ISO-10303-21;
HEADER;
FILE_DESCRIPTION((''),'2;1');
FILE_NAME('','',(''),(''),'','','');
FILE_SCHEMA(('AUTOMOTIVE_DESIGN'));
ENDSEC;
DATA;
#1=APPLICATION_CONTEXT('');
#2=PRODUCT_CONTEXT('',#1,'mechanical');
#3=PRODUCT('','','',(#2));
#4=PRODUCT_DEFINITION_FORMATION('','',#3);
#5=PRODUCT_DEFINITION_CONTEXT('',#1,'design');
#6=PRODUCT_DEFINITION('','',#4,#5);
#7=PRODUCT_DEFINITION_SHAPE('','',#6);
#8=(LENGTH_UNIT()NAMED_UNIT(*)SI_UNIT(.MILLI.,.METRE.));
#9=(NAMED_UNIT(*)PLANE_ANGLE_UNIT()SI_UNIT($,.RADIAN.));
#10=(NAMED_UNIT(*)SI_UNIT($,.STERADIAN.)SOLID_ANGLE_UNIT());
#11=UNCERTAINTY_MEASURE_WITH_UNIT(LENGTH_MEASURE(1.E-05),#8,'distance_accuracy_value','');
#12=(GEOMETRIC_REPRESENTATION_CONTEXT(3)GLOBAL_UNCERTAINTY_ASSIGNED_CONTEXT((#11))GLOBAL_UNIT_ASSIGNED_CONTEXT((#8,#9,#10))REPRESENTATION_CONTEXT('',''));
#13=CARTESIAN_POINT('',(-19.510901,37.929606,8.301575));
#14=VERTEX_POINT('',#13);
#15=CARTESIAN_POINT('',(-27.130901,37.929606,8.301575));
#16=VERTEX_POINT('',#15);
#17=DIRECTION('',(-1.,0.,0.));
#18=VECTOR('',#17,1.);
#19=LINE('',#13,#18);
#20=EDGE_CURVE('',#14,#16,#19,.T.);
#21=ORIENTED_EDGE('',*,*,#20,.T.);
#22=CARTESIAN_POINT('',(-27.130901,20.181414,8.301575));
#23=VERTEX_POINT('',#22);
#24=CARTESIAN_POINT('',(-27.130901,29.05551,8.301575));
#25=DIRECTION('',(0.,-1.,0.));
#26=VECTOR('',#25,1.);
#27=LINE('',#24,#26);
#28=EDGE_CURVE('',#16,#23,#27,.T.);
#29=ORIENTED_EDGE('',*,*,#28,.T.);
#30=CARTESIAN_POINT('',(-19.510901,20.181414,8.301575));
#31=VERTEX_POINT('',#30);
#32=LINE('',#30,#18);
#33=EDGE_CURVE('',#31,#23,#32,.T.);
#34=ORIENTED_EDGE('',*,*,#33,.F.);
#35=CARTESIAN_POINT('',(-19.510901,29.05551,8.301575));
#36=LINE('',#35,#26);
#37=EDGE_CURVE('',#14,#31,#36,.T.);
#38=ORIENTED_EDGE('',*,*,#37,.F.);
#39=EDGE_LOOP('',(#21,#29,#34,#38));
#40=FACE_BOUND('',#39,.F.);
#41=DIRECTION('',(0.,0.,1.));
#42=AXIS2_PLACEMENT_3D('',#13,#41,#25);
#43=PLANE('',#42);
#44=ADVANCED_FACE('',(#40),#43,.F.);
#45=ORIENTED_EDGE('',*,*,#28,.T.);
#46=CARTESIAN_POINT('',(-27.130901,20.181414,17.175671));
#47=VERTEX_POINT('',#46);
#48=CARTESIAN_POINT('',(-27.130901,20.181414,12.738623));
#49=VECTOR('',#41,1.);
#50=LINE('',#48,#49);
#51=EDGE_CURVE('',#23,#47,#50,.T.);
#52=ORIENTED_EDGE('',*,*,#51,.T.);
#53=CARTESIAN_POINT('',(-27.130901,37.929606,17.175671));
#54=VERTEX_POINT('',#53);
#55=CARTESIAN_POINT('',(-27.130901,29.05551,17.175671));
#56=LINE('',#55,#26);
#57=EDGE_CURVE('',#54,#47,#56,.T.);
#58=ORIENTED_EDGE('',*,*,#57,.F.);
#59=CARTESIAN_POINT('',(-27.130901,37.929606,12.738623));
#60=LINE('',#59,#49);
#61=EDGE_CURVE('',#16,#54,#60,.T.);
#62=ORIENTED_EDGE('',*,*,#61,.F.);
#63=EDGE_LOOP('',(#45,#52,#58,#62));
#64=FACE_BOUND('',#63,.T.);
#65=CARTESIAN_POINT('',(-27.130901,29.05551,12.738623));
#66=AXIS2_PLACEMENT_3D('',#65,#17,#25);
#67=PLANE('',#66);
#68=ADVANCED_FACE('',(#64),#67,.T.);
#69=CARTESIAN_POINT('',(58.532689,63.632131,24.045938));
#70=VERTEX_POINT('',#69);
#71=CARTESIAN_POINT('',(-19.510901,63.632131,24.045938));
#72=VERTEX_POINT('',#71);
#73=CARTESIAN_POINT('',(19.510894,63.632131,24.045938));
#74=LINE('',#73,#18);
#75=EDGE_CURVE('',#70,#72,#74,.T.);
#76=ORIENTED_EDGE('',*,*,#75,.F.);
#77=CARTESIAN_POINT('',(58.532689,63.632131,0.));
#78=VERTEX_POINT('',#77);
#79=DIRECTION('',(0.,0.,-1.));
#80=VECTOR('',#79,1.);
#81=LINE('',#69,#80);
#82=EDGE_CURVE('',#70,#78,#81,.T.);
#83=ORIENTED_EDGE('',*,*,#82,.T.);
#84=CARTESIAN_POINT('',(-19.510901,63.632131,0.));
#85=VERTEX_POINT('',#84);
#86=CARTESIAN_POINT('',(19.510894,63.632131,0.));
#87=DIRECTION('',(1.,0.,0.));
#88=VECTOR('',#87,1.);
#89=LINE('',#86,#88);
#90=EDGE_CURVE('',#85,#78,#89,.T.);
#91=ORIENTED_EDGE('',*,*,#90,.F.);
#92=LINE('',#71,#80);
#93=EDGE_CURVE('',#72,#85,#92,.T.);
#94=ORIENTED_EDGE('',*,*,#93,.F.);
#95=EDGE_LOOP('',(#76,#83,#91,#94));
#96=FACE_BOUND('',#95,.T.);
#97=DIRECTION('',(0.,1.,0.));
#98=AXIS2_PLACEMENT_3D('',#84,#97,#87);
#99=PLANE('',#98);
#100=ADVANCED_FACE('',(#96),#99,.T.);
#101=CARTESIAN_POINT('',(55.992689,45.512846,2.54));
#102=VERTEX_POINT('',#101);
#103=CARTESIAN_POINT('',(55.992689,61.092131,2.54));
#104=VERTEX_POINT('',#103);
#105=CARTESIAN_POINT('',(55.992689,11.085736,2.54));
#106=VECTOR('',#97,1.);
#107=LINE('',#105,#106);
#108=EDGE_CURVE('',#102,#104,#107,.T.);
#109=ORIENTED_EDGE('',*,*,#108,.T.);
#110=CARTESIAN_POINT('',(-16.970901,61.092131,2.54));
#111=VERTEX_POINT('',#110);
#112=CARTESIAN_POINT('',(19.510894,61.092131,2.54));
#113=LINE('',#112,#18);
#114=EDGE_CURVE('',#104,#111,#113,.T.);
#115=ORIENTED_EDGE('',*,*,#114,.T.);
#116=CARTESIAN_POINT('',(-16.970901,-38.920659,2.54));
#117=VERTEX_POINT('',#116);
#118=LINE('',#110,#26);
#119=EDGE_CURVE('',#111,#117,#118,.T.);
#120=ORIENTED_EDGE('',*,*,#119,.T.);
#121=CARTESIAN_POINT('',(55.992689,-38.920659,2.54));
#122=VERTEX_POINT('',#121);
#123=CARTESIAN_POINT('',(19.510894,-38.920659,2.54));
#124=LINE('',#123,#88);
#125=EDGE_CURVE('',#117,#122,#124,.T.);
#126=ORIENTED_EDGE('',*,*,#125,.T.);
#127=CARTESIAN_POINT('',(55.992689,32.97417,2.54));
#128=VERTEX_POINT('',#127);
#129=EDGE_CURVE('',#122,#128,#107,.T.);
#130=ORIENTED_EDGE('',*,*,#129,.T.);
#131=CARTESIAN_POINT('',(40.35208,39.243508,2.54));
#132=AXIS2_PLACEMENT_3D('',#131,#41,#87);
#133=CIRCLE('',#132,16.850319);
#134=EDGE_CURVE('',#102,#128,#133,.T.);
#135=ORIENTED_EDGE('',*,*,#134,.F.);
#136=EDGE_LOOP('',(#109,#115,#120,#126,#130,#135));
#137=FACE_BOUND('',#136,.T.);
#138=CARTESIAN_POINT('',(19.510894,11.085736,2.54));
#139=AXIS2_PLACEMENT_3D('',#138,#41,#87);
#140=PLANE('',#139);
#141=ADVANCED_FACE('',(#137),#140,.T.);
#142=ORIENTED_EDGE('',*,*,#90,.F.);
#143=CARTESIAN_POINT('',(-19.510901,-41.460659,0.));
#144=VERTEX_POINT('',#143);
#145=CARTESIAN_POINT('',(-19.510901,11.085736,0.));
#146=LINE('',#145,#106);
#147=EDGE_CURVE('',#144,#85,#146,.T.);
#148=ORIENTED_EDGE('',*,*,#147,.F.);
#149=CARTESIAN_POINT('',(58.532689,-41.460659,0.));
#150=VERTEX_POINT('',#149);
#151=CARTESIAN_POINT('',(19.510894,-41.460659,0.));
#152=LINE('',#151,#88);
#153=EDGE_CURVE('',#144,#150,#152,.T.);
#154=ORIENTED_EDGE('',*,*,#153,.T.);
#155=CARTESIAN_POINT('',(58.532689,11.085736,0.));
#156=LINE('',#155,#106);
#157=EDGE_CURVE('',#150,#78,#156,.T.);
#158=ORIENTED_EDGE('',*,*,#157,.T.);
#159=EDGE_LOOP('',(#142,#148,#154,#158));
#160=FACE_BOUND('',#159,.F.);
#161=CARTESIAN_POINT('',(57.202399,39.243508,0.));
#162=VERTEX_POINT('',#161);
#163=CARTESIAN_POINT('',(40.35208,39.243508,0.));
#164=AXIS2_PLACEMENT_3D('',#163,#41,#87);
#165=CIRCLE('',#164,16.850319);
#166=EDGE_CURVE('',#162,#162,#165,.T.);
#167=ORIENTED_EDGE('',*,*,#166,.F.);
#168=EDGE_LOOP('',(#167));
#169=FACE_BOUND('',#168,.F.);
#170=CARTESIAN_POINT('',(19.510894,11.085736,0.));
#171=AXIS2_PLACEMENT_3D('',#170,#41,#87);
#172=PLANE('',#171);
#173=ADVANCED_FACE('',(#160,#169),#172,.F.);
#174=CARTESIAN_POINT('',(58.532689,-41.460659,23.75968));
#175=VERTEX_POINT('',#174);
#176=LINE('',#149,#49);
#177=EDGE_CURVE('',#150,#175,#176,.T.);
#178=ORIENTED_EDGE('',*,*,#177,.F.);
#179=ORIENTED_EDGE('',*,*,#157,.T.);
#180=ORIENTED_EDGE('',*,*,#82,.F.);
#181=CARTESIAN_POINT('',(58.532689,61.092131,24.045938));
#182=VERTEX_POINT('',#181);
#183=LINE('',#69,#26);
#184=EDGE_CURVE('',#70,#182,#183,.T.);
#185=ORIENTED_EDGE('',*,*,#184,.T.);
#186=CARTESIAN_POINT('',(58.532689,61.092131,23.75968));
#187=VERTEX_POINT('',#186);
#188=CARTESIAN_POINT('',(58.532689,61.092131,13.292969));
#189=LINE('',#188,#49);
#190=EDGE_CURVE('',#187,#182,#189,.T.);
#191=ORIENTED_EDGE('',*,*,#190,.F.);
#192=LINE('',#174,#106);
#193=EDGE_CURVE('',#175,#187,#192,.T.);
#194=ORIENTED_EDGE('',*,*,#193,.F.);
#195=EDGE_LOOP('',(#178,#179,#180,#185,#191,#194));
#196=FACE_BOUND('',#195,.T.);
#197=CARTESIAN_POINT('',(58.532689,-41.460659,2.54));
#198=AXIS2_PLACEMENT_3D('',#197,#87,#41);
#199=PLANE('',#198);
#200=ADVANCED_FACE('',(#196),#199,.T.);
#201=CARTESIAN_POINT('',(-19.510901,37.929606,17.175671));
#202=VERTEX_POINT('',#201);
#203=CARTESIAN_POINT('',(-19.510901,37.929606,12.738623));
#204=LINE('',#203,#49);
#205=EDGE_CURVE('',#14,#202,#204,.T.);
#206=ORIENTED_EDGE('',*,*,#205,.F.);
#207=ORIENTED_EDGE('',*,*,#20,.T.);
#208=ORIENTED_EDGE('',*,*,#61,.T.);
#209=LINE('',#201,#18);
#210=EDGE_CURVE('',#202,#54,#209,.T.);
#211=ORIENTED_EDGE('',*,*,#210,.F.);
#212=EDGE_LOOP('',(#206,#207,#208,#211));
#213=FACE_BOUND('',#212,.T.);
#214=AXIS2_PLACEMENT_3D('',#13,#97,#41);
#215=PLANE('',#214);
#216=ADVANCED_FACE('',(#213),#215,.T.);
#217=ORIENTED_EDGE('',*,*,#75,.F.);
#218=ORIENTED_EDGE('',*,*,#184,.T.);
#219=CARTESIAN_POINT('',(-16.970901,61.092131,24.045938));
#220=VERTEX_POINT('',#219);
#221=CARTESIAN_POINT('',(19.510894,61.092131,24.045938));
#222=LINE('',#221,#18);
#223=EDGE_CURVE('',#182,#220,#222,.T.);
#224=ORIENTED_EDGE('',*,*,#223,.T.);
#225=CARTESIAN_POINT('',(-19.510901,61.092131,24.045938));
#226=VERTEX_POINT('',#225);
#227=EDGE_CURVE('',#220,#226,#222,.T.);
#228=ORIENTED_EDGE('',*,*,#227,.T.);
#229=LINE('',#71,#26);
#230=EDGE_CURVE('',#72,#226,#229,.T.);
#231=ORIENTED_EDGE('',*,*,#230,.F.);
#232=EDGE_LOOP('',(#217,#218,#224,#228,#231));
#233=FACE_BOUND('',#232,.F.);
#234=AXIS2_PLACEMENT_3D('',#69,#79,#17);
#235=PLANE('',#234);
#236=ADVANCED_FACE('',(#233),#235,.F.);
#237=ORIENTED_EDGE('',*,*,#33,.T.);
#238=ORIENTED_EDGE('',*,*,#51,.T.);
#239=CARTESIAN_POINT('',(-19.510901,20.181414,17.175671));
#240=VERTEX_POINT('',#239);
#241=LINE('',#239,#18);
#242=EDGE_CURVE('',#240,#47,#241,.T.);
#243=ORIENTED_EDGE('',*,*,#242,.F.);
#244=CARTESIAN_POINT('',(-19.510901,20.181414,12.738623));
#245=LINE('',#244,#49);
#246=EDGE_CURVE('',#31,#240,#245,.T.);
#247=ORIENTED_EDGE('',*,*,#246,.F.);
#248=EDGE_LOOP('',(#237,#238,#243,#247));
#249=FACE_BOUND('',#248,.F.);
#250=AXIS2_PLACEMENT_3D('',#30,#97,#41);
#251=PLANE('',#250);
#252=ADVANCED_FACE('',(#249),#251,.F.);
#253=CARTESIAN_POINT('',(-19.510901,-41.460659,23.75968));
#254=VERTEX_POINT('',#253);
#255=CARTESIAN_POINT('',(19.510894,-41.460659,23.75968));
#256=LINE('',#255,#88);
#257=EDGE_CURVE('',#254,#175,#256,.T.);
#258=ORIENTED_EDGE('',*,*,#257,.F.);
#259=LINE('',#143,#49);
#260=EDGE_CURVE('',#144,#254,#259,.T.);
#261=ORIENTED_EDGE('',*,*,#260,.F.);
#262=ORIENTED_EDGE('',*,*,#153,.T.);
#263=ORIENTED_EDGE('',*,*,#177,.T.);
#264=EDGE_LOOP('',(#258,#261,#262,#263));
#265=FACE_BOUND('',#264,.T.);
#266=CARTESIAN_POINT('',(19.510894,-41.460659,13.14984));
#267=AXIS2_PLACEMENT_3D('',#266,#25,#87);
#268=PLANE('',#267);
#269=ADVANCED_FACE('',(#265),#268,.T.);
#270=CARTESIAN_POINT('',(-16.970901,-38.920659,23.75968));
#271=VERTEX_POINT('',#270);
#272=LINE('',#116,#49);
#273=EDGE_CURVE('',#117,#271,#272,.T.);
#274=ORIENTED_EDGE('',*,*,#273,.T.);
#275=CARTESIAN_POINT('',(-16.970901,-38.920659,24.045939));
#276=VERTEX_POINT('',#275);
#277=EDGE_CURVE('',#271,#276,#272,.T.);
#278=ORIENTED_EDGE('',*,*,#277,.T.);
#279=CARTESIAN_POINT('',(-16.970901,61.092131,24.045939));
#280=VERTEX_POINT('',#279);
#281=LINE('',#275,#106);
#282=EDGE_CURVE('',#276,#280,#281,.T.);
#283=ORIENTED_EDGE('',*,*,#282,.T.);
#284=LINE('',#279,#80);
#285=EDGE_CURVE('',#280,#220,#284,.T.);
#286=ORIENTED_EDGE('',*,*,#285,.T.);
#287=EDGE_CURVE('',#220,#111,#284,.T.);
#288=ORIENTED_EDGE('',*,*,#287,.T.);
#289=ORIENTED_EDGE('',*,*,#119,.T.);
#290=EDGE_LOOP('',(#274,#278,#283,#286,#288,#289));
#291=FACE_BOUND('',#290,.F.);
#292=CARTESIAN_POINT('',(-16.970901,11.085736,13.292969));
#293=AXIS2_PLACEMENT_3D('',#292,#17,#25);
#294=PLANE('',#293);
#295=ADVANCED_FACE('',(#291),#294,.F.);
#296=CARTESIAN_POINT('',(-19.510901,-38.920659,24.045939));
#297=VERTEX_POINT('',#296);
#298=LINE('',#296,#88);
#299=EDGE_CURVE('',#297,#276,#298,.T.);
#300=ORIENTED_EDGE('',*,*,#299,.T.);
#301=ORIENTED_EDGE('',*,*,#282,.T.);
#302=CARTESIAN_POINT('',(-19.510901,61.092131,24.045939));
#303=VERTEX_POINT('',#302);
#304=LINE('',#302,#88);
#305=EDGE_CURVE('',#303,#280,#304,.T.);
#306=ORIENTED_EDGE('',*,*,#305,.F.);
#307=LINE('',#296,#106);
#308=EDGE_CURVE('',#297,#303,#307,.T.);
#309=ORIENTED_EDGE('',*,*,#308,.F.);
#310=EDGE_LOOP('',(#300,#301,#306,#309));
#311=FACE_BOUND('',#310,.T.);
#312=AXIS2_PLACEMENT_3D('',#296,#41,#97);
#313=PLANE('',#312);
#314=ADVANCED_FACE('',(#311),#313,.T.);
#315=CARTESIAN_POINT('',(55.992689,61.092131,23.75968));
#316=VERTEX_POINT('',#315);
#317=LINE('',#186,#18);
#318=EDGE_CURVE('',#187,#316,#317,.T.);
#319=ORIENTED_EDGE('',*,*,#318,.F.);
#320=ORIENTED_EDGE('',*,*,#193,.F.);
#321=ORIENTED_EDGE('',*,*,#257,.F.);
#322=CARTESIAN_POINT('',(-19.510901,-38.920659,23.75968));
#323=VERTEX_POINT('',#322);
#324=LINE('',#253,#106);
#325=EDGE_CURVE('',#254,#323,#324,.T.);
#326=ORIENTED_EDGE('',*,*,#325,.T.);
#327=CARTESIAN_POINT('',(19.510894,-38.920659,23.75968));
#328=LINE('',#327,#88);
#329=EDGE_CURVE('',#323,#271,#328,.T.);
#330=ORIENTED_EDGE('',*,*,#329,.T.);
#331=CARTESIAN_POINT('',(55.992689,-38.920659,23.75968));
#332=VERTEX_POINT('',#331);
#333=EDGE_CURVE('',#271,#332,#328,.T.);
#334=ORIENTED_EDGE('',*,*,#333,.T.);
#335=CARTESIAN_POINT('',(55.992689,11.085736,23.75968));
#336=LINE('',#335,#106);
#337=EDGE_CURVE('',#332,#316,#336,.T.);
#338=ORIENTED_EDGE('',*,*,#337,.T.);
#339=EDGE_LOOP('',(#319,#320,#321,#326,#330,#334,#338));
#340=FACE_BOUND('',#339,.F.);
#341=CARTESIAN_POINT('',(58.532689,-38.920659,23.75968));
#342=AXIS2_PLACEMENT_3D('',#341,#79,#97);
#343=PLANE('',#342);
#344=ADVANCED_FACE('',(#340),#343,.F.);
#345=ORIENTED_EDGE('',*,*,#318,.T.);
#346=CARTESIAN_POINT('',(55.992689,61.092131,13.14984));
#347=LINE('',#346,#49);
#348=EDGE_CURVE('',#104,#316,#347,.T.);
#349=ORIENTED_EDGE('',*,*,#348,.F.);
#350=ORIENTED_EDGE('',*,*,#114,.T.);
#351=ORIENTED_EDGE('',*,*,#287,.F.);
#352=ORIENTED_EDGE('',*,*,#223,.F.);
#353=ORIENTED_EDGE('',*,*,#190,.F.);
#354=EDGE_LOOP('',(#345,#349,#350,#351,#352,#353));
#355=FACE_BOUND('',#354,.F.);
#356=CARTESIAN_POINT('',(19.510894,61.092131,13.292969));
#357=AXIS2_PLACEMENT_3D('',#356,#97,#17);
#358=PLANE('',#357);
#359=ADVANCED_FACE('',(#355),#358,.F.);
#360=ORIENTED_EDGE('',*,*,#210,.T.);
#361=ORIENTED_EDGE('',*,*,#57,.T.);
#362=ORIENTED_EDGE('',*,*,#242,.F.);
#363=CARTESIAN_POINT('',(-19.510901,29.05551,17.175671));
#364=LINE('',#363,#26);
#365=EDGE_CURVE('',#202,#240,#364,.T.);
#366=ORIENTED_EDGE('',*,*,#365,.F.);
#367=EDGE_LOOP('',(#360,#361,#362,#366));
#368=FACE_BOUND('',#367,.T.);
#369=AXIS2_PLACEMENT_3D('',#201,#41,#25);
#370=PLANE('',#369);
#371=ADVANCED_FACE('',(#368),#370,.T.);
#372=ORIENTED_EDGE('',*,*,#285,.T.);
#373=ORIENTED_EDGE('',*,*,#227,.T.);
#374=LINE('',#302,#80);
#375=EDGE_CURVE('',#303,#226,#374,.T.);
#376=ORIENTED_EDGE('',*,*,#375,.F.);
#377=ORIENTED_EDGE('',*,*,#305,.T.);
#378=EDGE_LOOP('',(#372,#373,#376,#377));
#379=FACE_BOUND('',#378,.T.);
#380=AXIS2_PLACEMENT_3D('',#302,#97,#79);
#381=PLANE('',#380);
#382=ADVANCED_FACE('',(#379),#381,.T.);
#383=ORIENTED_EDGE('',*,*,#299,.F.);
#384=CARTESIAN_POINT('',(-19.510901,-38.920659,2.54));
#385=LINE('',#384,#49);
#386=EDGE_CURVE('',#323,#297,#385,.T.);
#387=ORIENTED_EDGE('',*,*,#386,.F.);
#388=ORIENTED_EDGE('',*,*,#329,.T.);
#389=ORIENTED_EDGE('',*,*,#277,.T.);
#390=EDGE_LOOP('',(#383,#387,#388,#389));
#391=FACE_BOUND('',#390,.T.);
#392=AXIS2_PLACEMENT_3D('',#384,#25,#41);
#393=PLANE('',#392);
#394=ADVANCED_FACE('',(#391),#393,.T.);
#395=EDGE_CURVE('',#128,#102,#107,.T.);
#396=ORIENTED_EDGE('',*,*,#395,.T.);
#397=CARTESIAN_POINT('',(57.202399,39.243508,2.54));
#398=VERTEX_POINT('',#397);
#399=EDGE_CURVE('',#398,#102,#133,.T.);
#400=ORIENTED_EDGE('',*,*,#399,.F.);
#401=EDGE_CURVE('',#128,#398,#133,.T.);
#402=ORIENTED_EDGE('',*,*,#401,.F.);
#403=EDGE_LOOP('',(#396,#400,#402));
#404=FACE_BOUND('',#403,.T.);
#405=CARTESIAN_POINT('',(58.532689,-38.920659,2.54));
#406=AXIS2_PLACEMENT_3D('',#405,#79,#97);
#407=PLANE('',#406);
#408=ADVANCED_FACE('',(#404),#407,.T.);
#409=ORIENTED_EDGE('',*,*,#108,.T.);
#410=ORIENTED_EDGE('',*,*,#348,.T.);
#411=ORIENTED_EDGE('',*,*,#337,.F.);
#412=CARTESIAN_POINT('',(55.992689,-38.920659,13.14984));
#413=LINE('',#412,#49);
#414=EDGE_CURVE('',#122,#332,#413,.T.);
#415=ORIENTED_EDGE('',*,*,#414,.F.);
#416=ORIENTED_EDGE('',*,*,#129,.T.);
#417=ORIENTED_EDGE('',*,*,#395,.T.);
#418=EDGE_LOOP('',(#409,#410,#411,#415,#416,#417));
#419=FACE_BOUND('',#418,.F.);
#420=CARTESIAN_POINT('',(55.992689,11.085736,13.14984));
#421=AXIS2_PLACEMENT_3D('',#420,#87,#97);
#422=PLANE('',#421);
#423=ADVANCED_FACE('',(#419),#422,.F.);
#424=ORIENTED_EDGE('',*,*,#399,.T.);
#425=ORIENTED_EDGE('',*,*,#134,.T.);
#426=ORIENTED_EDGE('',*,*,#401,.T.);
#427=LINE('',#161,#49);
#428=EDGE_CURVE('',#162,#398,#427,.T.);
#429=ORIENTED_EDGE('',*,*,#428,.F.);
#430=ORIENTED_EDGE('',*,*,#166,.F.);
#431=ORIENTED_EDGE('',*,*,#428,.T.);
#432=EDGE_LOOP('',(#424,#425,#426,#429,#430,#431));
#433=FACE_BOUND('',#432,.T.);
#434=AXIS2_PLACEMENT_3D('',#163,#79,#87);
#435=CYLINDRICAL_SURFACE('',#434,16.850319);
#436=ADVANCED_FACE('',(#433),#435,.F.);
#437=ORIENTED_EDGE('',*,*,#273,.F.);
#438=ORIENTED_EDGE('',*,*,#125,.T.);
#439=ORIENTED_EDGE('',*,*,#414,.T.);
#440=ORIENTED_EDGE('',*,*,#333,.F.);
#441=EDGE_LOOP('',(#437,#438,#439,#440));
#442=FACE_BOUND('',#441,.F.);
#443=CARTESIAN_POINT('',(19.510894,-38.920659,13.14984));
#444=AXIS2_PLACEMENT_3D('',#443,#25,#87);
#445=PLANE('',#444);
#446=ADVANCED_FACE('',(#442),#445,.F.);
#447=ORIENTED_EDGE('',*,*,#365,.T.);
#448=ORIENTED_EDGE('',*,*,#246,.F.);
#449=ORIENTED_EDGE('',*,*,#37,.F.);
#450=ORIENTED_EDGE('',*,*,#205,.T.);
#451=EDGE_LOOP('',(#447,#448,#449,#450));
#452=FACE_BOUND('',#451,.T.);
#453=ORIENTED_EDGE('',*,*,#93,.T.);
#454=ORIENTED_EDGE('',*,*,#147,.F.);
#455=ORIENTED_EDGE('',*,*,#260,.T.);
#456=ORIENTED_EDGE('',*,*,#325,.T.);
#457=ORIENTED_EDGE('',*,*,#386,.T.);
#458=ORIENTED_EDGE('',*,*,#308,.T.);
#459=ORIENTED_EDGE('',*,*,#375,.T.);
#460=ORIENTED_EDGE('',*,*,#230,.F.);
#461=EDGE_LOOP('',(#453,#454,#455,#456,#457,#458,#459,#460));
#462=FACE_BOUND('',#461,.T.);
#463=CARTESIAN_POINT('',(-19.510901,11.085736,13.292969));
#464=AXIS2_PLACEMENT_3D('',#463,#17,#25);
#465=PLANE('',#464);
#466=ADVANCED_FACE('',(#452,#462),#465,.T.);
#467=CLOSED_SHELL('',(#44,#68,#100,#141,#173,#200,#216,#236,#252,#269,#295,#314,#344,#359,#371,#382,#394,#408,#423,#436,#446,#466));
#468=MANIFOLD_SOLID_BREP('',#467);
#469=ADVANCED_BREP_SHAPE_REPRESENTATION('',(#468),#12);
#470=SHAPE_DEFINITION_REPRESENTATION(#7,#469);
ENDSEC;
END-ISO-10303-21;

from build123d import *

# Parameters (mm, degrees)
F0_W      = 78.04359
F0_H      = 105.09279
F0_R      = 16.850319
F1_DEPTH  = 2.54
F2_W      = 78.04359
F2_H      = 21.505939
F3_DEPTH  = 2.54
F4_W      = 78.04359
F4_H      = 21.21968
F5_DEPTH  = 2.54
F7_DEPTH  = 2.54
F8_W      = 100.01279
F8_H      = 21.21968
F9_DEPTH  = 2.54
F10_W     = 17.748192
F10_H     = 8.874096
F11_DEPTH = 7.62


with BuildPart() as f1:
    # F0 (on Top) → F1 (new body)
    with BuildSketch(Plane.XY):
        with Locations((19.510894, 11.085736)):
            Rectangle(F0_W, F0_H)
        with Locations((40.35208, 39.243508)):
            Circle(F0_R, mode=Mode.SUBTRACT)
    extrude(amount=F1_DEPTH)

    # F2 (on face) → F3 (join)
    with BuildSketch(Plane(origin=(0, 63.632131, 0), x_dir=(-1, 0, 0), z_dir=(0, 1, 0))):
        with Locations((-19.510894, 13.292969)):
            Rectangle(F2_W, F2_H)
    extrude(amount=-F3_DEPTH)

    # F4 (on face) → F5 (join)
    with BuildSketch(Plane.XZ.offset(41.460659)):
        with Locations((19.510894, 13.14984)):
            Rectangle(F4_W, F4_H)
    extrude(amount=-F5_DEPTH)

    # F6 (on face) → F7 (join)
    with BuildSketch(Plane(origin=(-19.510901, 0, 0), x_dir=(0, -1, 0), z_dir=(-1, 0, 0))):
        Polygon((38.920659, 24.045939), (-61.092131, 24.045939), (-61.092131, 2.54), (38.920659, 2.54), (38.920659, 23.75968), align=None)
    extrude(amount=-F7_DEPTH)

    # F8 (on face) → F9 (join)
    with BuildSketch(Plane.YZ.offset(58.532689)):
        with Locations((11.085736, 13.14984)):
            Rectangle(F8_W, F8_H)
    extrude(amount=-F9_DEPTH)

    # F10 (on face) → F11 (join)
    with BuildSketch(Plane(origin=(-19.510901, 0, 0), x_dir=(0, -1, 0), z_dir=(-1, 0, 0))):
        with Locations((-29.05551, 12.738623)):
            Rectangle(F10_W, F10_H)
    extrude(amount=F11_DEPTH)


solid = f1.part
